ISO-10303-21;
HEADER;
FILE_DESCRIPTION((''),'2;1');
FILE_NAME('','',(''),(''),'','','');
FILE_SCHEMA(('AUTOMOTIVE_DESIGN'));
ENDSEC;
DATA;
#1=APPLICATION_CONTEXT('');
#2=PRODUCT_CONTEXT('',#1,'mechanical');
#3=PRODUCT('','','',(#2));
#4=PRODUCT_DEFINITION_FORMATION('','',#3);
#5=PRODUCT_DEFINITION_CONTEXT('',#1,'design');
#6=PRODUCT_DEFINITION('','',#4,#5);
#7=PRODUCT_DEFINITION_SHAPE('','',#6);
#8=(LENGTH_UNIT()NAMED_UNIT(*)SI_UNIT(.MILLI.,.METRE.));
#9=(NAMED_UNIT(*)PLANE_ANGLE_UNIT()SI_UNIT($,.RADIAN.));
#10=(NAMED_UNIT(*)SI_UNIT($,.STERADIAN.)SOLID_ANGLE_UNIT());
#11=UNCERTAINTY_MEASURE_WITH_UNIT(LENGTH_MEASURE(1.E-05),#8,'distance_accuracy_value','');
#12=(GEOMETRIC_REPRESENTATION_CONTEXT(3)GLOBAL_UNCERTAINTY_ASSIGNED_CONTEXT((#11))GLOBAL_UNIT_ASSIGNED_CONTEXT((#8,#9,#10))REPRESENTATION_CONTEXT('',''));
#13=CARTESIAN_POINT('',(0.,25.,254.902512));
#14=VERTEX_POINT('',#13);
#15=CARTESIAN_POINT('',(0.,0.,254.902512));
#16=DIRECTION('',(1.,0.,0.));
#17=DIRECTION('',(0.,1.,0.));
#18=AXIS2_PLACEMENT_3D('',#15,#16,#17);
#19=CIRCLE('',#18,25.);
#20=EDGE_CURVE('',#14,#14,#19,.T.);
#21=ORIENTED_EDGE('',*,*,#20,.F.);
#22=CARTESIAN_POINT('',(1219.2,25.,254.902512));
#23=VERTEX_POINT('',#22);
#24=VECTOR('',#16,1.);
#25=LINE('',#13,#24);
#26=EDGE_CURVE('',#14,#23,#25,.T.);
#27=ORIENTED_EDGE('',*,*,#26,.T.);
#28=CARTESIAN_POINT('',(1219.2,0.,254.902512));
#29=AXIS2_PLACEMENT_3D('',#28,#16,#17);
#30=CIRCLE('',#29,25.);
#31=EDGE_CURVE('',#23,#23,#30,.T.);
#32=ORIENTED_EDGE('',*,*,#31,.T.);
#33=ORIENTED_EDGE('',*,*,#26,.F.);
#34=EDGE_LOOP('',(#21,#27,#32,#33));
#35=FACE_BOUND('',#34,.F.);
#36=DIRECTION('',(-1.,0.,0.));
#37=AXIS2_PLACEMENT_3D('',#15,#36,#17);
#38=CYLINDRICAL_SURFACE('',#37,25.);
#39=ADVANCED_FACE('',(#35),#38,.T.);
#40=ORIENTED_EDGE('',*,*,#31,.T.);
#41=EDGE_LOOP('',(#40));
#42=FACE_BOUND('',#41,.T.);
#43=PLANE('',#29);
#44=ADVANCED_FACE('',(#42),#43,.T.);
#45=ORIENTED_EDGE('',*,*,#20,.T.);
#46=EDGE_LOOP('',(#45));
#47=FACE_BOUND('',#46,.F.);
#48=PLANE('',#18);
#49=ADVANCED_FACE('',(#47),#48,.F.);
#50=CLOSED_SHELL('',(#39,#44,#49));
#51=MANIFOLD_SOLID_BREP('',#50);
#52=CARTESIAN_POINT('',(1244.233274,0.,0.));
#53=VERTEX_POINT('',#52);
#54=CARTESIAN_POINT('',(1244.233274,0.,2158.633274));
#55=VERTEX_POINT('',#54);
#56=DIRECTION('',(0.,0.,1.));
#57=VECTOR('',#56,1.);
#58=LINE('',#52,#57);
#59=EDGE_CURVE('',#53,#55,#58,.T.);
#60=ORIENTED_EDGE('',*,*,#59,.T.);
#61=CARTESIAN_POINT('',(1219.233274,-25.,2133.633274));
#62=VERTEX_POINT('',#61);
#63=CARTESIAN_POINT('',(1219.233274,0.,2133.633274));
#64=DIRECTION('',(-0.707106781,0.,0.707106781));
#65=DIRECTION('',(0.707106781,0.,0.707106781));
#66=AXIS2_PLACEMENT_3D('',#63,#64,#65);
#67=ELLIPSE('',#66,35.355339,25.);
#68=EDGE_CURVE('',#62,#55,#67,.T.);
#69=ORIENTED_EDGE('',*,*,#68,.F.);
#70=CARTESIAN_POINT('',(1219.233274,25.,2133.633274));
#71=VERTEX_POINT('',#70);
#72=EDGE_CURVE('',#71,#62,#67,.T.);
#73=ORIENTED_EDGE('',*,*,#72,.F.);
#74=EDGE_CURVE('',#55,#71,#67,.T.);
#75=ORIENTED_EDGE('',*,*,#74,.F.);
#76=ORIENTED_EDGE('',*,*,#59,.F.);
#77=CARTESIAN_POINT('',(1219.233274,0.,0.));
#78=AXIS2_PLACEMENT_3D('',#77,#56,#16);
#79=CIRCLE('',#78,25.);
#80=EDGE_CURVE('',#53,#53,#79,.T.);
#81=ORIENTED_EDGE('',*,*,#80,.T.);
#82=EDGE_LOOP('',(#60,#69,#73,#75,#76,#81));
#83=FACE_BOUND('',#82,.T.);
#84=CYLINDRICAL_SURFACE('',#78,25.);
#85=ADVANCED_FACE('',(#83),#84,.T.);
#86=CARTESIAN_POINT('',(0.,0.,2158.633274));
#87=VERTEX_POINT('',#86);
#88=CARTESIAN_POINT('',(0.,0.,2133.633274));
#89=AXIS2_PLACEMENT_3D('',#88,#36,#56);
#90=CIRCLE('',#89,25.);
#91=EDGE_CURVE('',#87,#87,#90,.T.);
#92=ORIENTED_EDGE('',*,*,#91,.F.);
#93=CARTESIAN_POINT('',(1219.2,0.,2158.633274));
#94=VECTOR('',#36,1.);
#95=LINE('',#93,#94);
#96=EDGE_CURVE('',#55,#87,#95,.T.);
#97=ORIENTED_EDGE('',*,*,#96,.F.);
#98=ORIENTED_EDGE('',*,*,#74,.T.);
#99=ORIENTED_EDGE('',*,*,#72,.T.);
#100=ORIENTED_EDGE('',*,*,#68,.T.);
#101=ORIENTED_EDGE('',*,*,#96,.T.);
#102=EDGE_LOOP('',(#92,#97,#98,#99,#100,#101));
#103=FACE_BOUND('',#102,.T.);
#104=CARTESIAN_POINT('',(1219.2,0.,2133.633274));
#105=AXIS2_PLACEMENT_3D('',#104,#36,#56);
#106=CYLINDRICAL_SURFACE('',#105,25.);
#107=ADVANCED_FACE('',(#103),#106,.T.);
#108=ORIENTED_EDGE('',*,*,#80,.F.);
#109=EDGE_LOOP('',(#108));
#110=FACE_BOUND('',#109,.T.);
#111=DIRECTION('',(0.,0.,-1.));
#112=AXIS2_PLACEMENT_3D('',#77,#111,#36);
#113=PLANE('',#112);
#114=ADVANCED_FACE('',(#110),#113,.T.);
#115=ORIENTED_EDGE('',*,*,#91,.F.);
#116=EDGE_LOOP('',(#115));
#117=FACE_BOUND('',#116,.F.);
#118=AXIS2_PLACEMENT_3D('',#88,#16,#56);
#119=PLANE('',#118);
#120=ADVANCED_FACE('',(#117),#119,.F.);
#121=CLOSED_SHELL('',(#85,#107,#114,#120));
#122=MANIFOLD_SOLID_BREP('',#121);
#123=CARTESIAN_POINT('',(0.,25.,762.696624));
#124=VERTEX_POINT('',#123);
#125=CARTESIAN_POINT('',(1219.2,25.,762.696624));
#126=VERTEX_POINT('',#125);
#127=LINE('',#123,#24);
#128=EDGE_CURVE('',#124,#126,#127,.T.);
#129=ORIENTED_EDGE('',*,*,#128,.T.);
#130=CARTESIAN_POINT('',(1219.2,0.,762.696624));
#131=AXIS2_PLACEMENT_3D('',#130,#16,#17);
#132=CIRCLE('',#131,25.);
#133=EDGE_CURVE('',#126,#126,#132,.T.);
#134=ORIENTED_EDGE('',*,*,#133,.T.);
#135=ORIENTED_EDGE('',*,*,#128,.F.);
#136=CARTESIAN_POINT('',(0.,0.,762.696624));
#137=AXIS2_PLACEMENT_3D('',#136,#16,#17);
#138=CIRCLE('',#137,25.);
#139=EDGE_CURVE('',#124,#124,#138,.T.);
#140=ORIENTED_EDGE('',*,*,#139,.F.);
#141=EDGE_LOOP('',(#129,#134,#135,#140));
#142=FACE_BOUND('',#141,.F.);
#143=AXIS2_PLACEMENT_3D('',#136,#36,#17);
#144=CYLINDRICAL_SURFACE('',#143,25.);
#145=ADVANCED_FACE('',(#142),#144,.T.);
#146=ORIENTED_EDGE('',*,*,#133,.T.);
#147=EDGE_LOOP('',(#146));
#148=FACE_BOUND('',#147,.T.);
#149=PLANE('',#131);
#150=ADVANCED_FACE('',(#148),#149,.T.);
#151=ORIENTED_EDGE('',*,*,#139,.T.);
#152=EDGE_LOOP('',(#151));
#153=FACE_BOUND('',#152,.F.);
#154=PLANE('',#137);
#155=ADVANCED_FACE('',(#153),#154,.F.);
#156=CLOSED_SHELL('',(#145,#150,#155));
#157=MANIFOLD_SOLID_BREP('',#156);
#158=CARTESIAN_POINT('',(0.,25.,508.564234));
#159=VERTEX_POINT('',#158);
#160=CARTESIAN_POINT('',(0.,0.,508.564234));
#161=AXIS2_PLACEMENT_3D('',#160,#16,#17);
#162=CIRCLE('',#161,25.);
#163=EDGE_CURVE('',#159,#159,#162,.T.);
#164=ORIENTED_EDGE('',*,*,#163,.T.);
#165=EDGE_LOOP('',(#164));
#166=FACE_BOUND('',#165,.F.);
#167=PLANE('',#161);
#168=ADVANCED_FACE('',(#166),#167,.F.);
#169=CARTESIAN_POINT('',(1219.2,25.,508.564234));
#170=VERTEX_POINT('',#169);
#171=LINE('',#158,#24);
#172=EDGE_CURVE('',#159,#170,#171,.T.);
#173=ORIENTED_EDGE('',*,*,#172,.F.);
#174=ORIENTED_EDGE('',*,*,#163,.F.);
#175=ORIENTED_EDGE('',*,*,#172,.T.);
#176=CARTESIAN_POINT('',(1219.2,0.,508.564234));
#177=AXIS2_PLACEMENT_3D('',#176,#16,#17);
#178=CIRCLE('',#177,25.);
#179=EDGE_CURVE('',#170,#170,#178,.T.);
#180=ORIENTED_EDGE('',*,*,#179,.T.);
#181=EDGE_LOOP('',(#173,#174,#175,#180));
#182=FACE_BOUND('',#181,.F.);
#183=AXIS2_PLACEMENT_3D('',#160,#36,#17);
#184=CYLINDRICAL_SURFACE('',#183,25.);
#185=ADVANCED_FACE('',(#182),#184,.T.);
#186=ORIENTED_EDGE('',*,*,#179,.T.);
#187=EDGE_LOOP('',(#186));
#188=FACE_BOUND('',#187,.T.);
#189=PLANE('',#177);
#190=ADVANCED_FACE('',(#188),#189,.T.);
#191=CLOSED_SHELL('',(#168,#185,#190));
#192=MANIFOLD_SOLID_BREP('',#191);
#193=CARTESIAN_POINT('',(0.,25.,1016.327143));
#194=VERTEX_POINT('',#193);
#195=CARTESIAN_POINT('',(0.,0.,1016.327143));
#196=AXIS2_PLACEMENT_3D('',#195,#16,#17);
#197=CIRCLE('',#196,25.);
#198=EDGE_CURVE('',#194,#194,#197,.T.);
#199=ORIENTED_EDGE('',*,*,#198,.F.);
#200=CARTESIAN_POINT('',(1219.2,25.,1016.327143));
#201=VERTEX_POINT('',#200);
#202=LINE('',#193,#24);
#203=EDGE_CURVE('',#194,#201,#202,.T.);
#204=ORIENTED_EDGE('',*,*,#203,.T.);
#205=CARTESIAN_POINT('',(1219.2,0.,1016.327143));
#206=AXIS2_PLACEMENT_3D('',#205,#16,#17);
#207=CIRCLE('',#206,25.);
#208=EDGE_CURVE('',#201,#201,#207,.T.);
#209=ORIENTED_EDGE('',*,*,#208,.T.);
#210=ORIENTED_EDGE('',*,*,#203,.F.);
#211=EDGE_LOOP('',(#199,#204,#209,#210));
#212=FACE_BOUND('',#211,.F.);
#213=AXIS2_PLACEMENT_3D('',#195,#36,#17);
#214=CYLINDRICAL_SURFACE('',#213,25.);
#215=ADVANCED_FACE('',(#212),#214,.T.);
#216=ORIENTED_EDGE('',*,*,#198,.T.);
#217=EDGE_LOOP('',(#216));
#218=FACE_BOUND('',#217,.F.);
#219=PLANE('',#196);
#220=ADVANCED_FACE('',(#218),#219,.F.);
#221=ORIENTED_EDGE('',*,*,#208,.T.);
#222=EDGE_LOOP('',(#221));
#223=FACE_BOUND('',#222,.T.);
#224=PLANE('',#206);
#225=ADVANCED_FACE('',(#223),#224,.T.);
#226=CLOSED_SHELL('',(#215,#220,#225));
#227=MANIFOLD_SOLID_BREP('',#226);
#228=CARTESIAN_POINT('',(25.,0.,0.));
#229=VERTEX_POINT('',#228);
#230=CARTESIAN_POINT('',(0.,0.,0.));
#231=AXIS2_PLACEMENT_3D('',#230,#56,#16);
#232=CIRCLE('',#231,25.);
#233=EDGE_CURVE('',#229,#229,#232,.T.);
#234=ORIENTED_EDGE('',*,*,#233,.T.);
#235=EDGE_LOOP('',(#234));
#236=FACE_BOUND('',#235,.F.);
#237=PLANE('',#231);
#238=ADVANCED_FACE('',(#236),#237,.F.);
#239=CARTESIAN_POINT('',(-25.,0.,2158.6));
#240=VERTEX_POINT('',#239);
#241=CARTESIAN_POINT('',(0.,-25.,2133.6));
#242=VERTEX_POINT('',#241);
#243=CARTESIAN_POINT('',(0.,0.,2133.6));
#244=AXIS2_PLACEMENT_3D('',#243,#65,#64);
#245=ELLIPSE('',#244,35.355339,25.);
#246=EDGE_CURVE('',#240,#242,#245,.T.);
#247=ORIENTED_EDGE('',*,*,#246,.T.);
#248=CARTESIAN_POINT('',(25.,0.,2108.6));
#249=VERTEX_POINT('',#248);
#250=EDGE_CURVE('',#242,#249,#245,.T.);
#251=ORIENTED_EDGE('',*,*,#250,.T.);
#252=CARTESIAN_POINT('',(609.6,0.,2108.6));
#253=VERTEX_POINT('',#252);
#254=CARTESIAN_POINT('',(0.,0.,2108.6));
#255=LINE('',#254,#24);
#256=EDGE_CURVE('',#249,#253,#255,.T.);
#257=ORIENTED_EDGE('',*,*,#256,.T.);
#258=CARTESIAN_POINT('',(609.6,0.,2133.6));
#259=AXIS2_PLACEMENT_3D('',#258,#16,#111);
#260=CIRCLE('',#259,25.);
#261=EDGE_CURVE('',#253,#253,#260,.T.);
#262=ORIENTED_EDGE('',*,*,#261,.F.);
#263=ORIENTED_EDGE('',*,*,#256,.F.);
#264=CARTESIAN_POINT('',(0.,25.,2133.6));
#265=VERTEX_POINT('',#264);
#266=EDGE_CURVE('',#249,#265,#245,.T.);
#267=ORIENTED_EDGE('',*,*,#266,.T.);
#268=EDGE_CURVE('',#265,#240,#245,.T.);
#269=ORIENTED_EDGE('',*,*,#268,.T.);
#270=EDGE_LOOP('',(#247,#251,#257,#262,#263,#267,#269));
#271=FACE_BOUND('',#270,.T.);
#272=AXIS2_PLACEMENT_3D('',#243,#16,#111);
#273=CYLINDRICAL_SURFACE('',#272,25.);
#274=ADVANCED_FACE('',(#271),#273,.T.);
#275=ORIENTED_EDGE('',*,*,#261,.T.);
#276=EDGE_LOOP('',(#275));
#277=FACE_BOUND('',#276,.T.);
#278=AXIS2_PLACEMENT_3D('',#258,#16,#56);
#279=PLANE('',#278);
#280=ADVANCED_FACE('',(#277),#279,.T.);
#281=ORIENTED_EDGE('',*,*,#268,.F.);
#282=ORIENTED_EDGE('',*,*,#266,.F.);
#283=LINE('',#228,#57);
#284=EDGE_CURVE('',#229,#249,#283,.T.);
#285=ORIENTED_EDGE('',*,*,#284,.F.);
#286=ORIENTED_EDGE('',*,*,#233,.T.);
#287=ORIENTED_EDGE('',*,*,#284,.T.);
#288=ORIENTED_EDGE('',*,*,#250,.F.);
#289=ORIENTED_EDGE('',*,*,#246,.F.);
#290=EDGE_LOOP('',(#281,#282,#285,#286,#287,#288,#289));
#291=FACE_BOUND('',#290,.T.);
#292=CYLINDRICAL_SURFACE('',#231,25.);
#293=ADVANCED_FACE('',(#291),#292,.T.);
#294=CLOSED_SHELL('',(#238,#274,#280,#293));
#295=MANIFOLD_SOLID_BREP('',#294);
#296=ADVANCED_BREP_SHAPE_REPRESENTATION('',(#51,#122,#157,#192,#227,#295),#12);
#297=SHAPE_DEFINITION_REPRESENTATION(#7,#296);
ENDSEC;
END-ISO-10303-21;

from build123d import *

# Parameters (mm, degrees)
F0_R     = 25
F4_R     = 25
F7_R     = 25
F8_DEPTH = 1219.2


with BuildPart() as f2:
    # F2: sweep along a path in F1
    with BuildLine(Plane.XZ) as f2_path:
        Line((0, 0), (0, 2133.6))
        Line((0, 2133.6), (609.6, 2133.6))
    # F0 (on Top) → F2 (sweep)
    with BuildSketch(Plane.XY):
        Circle(F0_R)
    sweep(path=f2_path.line, transition=Transition.RIGHT)


with BuildPart() as f5:
    # F5: sweep along a path in F1
    with BuildLine(Plane.XZ) as f5_path:
        Line((1219.2, 0), (1219.2, 2133.6))
        Line((1219.2, 2133.6), (0, 2133.6))
    # F4 (on line) → F5 (sweep)
    with BuildSketch(Plane(origin=(0, 0, 0), x_dir=(1, 0, 0), z_dir=(0, 0, -1))):
        with Locations((1219.2332744598, 0)):
            Circle(F4_R)
    sweep(path=f5_path.line, transition=Transition.RIGHT)


with BuildPart() as f8:
    # F7 (on line) → F8 (new body)
    with BuildSketch(Plane.YZ):
        with Locations((0, 1016.3271427155)):
            Circle(F7_R)
    extrude(amount=F8_DEPTH)


with BuildPart() as f8b:
    # F7 (on line) → F8, piece 2 (new body)
    with BuildSketch(Plane.YZ):
        with Locations((0, 762.6966238022)):
            Circle(F7_R)
    extrude(amount=F8_DEPTH)


with BuildPart() as f8c:
    # F7 (on line) → F8, piece 3 (new body)
    with BuildSketch(Plane.YZ):
        with Locations((0, 508.5642337799)):
            Circle(F7_R)
    extrude(amount=F8_DEPTH)


with BuildPart() as f8d:
    # F7 (on line) → F8, piece 4 (new body)
    with BuildSketch(Plane.YZ):
        with Locations((0, 254.9025118351)):
            Circle(F7_R)
    extrude(amount=F8_DEPTH)


solid = Compound([f2.part, f5.part, f8.part, f8b.part, f8c.part, f8d.part])
